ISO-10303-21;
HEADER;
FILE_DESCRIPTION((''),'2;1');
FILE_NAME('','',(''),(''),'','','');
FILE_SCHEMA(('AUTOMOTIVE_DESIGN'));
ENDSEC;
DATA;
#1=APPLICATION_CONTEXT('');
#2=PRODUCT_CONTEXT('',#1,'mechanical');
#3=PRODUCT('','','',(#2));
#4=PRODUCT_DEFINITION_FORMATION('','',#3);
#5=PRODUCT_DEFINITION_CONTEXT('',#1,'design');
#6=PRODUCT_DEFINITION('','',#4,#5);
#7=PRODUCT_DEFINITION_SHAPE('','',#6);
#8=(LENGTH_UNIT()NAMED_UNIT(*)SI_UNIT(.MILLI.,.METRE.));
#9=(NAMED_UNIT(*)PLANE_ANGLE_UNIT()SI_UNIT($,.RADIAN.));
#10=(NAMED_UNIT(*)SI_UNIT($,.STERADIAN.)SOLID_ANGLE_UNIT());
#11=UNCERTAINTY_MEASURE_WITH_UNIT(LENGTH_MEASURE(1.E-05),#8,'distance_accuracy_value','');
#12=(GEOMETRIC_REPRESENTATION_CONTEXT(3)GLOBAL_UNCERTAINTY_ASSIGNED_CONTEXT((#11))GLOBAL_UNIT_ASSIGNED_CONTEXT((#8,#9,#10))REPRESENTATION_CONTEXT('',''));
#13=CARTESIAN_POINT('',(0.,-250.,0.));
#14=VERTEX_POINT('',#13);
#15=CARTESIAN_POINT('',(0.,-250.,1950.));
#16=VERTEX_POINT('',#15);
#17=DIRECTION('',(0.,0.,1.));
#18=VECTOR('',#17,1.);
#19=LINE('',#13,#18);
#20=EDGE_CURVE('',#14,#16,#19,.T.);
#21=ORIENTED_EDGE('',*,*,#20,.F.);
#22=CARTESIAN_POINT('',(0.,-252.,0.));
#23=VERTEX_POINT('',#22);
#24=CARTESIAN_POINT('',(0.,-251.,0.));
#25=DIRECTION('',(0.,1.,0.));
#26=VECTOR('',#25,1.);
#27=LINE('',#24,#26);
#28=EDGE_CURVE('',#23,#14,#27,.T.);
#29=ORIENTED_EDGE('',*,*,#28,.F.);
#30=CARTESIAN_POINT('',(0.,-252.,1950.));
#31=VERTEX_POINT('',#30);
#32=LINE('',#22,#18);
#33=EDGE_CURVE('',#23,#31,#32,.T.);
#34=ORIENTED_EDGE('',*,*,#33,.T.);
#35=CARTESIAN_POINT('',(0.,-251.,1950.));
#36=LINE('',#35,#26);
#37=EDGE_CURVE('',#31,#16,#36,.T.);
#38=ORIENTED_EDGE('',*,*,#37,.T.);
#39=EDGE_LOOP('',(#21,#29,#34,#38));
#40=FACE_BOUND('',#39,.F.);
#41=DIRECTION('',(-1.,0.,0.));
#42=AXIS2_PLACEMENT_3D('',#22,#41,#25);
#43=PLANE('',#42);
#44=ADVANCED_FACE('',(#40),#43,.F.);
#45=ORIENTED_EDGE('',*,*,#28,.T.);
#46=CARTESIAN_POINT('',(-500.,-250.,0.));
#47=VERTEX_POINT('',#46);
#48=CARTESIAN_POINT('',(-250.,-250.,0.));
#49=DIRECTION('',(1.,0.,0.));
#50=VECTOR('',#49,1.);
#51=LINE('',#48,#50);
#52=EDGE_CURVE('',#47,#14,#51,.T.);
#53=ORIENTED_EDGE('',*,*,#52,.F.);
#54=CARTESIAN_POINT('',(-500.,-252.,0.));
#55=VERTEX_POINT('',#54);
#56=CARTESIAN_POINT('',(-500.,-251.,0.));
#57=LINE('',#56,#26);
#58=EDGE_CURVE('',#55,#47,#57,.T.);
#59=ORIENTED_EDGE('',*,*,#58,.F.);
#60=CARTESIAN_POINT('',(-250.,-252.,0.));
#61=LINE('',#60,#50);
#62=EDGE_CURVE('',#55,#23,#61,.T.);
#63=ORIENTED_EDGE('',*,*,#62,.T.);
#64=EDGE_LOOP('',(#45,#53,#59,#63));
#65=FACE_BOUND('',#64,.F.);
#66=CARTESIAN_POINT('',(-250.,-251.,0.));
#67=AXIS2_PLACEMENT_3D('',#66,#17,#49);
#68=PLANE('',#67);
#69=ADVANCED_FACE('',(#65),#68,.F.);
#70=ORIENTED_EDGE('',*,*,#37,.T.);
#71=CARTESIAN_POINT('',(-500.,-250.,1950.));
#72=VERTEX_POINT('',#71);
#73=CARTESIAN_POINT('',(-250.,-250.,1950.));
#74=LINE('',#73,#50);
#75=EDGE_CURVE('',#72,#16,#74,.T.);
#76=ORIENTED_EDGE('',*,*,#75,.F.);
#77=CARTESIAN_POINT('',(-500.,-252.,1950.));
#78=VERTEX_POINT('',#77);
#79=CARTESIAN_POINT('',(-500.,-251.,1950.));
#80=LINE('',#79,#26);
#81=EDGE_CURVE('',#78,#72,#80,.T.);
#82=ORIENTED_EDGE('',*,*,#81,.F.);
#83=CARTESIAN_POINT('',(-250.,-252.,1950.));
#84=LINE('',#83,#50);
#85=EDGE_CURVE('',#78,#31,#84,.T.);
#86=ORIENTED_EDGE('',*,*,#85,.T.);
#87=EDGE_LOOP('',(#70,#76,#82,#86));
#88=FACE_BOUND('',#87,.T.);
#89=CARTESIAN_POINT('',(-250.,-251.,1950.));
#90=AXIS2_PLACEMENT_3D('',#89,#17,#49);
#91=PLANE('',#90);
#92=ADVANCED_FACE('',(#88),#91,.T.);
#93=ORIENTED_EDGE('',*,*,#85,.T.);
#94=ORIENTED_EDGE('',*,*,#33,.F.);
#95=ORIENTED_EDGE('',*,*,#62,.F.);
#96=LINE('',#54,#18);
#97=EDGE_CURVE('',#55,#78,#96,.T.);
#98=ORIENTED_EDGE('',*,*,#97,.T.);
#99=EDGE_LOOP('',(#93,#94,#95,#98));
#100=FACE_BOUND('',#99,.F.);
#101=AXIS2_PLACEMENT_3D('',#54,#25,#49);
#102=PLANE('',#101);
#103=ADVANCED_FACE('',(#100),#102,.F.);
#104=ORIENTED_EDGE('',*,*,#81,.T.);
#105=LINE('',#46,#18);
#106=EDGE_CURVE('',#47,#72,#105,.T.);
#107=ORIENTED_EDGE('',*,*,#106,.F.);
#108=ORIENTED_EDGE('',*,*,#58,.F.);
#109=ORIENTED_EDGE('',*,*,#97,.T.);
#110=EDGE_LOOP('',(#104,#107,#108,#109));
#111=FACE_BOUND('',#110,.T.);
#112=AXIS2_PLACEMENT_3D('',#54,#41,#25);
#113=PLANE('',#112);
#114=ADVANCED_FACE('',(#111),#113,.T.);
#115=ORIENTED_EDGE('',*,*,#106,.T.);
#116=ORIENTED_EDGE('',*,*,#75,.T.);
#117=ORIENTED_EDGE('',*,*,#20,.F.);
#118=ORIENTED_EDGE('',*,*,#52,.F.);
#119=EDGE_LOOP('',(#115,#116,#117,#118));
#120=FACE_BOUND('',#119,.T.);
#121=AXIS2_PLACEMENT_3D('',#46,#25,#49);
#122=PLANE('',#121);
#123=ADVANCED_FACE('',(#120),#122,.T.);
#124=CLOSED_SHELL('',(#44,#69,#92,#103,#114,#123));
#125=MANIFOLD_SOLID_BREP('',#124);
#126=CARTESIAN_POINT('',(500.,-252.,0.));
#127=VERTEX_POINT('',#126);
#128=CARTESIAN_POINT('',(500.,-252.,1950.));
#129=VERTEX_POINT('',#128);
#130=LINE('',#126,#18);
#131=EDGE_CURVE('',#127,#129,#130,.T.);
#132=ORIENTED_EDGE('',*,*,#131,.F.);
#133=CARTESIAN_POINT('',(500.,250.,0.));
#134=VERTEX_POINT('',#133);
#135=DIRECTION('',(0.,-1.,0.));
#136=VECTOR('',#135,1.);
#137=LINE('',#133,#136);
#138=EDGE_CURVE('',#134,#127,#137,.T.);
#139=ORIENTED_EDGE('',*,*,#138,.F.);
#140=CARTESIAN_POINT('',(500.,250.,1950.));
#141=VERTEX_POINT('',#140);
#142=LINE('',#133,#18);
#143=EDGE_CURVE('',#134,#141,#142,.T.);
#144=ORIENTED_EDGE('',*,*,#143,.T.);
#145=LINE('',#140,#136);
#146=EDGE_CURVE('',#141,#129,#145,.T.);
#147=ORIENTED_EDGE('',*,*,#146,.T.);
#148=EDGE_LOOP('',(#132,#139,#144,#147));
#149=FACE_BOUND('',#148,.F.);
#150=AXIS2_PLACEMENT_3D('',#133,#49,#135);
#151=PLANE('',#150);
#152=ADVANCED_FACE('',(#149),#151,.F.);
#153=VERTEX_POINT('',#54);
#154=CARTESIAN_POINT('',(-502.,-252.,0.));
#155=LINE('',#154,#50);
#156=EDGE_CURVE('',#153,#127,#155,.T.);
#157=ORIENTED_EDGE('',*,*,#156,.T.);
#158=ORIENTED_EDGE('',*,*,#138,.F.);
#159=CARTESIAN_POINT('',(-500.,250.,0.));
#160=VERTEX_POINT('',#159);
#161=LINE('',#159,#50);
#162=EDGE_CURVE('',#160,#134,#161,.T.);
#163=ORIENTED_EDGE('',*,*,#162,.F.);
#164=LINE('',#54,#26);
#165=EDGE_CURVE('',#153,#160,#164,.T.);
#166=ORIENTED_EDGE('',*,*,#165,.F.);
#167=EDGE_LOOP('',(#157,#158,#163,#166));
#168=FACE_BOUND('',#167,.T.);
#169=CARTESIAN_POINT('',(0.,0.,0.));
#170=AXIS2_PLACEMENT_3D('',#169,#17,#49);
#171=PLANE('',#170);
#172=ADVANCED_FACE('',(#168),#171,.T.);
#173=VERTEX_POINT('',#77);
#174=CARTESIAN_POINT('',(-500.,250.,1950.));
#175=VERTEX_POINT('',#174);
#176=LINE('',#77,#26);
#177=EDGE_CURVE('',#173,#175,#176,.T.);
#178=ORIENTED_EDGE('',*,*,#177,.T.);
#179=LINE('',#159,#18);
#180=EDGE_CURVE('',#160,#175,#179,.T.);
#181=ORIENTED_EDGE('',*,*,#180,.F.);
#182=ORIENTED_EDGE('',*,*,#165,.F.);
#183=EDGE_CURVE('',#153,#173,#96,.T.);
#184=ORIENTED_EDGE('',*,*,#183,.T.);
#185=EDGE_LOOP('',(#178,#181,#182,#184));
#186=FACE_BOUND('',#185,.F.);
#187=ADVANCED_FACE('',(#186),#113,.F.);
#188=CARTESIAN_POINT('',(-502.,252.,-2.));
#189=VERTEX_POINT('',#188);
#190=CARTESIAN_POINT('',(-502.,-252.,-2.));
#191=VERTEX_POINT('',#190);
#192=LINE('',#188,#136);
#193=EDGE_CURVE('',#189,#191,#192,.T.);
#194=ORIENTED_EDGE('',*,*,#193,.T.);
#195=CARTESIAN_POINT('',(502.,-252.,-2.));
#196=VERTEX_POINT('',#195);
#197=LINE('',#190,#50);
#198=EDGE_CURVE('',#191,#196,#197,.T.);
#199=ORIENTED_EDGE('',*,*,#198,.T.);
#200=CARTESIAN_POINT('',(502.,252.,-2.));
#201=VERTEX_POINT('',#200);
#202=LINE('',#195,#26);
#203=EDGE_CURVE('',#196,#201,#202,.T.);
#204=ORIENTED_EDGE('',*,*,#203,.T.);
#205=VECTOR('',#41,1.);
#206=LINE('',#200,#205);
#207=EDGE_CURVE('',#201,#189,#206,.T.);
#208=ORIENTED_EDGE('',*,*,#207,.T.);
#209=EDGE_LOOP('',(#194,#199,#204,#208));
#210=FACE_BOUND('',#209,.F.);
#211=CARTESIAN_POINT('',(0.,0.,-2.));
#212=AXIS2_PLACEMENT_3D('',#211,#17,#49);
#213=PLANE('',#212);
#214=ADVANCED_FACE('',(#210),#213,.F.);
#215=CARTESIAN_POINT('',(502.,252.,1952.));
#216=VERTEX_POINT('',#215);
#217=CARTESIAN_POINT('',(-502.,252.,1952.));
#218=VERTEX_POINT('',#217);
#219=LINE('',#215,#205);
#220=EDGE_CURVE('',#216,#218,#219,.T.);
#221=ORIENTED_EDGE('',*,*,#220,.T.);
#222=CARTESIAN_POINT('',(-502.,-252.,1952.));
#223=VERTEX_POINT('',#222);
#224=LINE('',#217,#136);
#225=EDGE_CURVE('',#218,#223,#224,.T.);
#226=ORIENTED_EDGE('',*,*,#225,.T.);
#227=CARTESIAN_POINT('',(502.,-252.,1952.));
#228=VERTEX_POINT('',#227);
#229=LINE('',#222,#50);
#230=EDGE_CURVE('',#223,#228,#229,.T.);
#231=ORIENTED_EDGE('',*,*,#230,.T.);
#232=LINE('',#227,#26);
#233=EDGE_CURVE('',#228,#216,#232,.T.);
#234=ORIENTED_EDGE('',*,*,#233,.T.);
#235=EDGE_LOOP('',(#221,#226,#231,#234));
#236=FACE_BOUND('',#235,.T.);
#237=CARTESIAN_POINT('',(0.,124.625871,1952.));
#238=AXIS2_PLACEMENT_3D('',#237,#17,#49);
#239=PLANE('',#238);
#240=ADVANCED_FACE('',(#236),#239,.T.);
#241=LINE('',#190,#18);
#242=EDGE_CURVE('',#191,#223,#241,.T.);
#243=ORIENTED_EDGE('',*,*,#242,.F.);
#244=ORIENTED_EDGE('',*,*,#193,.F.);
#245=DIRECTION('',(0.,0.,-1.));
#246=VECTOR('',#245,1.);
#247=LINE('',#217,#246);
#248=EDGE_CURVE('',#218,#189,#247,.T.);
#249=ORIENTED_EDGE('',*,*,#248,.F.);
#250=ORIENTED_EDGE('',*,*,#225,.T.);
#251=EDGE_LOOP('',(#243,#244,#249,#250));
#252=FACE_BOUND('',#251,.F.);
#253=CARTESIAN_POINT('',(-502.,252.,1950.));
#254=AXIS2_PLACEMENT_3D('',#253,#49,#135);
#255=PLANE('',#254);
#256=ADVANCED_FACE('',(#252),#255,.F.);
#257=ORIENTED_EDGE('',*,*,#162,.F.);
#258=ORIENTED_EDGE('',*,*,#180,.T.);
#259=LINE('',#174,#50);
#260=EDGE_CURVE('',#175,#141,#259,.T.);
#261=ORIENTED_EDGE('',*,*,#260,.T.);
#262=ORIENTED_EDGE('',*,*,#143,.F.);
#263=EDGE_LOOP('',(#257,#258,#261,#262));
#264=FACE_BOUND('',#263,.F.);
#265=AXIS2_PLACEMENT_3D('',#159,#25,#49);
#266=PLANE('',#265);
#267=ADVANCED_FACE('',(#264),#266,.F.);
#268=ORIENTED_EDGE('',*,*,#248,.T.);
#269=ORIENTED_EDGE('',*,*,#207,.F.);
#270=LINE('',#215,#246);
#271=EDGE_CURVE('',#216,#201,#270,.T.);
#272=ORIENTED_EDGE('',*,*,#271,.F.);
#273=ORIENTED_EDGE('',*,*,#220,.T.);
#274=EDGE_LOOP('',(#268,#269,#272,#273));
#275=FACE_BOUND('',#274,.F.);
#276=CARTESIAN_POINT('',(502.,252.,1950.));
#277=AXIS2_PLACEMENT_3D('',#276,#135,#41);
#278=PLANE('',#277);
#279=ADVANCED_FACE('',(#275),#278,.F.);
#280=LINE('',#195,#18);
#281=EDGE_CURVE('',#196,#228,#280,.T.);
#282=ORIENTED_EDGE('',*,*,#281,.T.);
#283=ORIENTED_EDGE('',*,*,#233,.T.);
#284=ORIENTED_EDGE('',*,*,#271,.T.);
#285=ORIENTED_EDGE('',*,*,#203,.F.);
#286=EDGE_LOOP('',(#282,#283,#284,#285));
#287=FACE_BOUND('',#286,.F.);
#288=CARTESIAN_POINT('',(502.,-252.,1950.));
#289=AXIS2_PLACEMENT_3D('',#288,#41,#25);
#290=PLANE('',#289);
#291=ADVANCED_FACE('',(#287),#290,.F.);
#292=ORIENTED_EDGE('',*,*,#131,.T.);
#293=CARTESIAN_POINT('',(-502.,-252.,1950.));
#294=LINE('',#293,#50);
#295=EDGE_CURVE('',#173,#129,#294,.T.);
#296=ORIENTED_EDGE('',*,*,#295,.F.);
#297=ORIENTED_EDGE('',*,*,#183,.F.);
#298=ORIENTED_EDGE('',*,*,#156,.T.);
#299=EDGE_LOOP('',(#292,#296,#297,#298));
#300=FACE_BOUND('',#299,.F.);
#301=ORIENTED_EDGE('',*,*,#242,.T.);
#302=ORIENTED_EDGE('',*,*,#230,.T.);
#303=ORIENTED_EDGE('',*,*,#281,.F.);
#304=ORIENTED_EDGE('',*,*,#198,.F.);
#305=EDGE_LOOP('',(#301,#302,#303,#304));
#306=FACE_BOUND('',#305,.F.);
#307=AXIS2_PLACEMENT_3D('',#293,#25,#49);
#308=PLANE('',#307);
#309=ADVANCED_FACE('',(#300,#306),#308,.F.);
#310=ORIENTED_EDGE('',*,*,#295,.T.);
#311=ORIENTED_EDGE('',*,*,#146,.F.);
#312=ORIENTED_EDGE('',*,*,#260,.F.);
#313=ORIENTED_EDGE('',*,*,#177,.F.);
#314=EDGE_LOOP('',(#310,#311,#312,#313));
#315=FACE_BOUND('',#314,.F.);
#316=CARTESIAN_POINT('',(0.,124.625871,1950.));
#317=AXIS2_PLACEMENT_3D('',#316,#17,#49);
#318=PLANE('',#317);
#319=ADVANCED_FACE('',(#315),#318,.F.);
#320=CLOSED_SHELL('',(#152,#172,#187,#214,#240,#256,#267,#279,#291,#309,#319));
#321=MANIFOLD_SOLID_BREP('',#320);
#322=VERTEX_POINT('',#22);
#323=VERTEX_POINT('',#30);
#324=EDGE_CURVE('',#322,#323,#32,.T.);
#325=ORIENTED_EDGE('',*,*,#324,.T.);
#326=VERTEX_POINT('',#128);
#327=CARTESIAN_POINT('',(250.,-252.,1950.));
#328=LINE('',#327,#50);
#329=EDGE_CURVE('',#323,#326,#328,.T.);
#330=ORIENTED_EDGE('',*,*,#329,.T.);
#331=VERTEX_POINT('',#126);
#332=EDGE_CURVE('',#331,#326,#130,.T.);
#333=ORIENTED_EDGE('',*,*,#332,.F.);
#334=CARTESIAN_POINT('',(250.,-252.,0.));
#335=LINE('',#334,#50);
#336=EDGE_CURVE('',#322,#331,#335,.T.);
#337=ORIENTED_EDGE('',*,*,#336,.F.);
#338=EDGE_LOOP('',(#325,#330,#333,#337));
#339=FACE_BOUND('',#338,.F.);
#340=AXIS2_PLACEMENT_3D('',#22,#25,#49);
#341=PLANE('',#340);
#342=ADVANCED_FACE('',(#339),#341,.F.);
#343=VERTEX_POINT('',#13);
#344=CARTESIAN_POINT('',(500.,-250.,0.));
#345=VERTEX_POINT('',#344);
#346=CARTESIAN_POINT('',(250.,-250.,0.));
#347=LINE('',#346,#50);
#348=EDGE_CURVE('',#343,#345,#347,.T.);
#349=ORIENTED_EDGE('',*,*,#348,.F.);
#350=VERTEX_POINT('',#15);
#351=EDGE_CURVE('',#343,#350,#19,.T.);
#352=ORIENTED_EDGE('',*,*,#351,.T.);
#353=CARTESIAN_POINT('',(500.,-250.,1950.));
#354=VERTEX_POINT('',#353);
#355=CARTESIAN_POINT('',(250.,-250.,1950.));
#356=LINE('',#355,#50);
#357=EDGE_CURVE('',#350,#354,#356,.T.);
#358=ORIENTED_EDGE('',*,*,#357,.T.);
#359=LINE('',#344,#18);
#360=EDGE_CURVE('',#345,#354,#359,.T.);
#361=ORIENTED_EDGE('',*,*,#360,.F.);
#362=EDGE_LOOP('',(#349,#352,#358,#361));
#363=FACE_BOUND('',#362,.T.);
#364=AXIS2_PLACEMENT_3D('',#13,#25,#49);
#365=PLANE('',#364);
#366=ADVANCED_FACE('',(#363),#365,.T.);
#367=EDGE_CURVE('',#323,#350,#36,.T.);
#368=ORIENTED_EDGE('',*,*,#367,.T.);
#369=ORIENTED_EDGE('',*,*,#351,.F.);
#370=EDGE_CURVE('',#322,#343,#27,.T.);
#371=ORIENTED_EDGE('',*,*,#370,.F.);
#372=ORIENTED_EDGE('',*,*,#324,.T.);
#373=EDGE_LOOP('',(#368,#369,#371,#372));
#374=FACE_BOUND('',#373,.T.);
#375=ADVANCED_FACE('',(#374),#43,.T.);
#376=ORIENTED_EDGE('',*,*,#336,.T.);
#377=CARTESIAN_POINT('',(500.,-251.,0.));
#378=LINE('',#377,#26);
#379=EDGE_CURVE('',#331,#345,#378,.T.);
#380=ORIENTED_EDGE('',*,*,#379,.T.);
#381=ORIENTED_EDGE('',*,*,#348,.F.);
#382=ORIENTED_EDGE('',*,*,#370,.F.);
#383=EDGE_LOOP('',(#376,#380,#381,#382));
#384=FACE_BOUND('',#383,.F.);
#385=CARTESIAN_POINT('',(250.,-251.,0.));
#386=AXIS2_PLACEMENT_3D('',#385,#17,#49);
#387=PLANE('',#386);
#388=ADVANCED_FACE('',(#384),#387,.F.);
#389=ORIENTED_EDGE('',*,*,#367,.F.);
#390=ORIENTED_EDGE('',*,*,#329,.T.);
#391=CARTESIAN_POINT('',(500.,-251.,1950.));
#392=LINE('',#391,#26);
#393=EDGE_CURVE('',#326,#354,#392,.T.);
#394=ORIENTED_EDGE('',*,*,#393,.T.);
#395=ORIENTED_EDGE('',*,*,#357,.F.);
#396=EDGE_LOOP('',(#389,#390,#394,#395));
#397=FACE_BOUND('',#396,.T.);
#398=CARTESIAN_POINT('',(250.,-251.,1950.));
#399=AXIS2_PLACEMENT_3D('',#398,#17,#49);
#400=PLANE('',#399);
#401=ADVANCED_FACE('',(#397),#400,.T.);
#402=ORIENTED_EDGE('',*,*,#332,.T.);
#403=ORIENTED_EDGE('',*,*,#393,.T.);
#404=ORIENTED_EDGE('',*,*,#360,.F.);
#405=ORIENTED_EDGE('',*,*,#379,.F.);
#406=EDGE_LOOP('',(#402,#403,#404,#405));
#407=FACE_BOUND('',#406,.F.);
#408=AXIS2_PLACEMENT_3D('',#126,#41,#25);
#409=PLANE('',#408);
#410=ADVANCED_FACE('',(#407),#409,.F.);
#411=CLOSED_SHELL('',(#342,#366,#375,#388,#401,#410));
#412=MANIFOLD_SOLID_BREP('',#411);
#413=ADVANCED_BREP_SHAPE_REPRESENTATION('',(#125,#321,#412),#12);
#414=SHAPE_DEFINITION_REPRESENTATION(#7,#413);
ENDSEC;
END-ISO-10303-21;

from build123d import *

# Parameters (mm, degrees)
F0_W     = 500
F0_H     = 2
F1_DEPTH = 2
F2_DEPTH = 1950
F3_W     = 1000
F3_H     = 502
F4_DEPTH = 2
F5_DEPTH = 1950
F6_DEPTH = 1950


with BuildPart() as f1:
    # F0 (on Top) → F1 (new body)
    with BuildSketch(Plane.XY):
        Polygon((500, -250), (500, 250), (-500, 250), (-500, -250), (0, -250), align=None)
        Polygon((-500, 250), (500, 250), (500, -250), (500, -252), (502, -252), (502, 252), (-502, 252), (-502, -252), (-500, -252), (-500, -250), align=None)
        with Locations((250, -251)):
            Rectangle(F0_W, F0_H)
        with Locations((-250, -251)):
            Rectangle(F0_W, F0_H)
    extrude(amount=-F1_DEPTH)

    # F0 (on Top) → F2 (join)
    with BuildSketch(Plane.XY):
        Polygon((-500, 250), (500, 250), (500, -250), (500, -252), (502, -252), (502, 252), (-502, 252), (-502, -252), (-500, -252), (-500, -250), align=None)
    extrude(amount=F2_DEPTH)

    # F3 (on face) → F4 (join)
    with BuildSketch(Plane.XY.offset(1950)):
        Polygon((-502, 252), (-502, -252), (-500, -252), (-500, 250), (500, 250), (500, -252), (502, -252), (502, 252), align=None)
        with Locations((0, -1)):
            Rectangle(F3_W, F3_H)
    extrude(amount=F4_DEPTH)


with BuildPart() as f5:
    # F0 (on Top) → F5 (new body, through all)
    with BuildSketch(Plane.XY):
        with Locations((-250, -251)):
            Rectangle(F0_W, F0_H)
    extrude(amount=F5_DEPTH)


with BuildPart() as f6:
    # F0 (on Top) → F6 (new body, through all)
    with BuildSketch(Plane.XY):
        with Locations((250, -251)):
            Rectangle(F0_W, F0_H)
    extrude(amount=F6_DEPTH)


solid = Compound([f1.part, f5.part, f6.part])
